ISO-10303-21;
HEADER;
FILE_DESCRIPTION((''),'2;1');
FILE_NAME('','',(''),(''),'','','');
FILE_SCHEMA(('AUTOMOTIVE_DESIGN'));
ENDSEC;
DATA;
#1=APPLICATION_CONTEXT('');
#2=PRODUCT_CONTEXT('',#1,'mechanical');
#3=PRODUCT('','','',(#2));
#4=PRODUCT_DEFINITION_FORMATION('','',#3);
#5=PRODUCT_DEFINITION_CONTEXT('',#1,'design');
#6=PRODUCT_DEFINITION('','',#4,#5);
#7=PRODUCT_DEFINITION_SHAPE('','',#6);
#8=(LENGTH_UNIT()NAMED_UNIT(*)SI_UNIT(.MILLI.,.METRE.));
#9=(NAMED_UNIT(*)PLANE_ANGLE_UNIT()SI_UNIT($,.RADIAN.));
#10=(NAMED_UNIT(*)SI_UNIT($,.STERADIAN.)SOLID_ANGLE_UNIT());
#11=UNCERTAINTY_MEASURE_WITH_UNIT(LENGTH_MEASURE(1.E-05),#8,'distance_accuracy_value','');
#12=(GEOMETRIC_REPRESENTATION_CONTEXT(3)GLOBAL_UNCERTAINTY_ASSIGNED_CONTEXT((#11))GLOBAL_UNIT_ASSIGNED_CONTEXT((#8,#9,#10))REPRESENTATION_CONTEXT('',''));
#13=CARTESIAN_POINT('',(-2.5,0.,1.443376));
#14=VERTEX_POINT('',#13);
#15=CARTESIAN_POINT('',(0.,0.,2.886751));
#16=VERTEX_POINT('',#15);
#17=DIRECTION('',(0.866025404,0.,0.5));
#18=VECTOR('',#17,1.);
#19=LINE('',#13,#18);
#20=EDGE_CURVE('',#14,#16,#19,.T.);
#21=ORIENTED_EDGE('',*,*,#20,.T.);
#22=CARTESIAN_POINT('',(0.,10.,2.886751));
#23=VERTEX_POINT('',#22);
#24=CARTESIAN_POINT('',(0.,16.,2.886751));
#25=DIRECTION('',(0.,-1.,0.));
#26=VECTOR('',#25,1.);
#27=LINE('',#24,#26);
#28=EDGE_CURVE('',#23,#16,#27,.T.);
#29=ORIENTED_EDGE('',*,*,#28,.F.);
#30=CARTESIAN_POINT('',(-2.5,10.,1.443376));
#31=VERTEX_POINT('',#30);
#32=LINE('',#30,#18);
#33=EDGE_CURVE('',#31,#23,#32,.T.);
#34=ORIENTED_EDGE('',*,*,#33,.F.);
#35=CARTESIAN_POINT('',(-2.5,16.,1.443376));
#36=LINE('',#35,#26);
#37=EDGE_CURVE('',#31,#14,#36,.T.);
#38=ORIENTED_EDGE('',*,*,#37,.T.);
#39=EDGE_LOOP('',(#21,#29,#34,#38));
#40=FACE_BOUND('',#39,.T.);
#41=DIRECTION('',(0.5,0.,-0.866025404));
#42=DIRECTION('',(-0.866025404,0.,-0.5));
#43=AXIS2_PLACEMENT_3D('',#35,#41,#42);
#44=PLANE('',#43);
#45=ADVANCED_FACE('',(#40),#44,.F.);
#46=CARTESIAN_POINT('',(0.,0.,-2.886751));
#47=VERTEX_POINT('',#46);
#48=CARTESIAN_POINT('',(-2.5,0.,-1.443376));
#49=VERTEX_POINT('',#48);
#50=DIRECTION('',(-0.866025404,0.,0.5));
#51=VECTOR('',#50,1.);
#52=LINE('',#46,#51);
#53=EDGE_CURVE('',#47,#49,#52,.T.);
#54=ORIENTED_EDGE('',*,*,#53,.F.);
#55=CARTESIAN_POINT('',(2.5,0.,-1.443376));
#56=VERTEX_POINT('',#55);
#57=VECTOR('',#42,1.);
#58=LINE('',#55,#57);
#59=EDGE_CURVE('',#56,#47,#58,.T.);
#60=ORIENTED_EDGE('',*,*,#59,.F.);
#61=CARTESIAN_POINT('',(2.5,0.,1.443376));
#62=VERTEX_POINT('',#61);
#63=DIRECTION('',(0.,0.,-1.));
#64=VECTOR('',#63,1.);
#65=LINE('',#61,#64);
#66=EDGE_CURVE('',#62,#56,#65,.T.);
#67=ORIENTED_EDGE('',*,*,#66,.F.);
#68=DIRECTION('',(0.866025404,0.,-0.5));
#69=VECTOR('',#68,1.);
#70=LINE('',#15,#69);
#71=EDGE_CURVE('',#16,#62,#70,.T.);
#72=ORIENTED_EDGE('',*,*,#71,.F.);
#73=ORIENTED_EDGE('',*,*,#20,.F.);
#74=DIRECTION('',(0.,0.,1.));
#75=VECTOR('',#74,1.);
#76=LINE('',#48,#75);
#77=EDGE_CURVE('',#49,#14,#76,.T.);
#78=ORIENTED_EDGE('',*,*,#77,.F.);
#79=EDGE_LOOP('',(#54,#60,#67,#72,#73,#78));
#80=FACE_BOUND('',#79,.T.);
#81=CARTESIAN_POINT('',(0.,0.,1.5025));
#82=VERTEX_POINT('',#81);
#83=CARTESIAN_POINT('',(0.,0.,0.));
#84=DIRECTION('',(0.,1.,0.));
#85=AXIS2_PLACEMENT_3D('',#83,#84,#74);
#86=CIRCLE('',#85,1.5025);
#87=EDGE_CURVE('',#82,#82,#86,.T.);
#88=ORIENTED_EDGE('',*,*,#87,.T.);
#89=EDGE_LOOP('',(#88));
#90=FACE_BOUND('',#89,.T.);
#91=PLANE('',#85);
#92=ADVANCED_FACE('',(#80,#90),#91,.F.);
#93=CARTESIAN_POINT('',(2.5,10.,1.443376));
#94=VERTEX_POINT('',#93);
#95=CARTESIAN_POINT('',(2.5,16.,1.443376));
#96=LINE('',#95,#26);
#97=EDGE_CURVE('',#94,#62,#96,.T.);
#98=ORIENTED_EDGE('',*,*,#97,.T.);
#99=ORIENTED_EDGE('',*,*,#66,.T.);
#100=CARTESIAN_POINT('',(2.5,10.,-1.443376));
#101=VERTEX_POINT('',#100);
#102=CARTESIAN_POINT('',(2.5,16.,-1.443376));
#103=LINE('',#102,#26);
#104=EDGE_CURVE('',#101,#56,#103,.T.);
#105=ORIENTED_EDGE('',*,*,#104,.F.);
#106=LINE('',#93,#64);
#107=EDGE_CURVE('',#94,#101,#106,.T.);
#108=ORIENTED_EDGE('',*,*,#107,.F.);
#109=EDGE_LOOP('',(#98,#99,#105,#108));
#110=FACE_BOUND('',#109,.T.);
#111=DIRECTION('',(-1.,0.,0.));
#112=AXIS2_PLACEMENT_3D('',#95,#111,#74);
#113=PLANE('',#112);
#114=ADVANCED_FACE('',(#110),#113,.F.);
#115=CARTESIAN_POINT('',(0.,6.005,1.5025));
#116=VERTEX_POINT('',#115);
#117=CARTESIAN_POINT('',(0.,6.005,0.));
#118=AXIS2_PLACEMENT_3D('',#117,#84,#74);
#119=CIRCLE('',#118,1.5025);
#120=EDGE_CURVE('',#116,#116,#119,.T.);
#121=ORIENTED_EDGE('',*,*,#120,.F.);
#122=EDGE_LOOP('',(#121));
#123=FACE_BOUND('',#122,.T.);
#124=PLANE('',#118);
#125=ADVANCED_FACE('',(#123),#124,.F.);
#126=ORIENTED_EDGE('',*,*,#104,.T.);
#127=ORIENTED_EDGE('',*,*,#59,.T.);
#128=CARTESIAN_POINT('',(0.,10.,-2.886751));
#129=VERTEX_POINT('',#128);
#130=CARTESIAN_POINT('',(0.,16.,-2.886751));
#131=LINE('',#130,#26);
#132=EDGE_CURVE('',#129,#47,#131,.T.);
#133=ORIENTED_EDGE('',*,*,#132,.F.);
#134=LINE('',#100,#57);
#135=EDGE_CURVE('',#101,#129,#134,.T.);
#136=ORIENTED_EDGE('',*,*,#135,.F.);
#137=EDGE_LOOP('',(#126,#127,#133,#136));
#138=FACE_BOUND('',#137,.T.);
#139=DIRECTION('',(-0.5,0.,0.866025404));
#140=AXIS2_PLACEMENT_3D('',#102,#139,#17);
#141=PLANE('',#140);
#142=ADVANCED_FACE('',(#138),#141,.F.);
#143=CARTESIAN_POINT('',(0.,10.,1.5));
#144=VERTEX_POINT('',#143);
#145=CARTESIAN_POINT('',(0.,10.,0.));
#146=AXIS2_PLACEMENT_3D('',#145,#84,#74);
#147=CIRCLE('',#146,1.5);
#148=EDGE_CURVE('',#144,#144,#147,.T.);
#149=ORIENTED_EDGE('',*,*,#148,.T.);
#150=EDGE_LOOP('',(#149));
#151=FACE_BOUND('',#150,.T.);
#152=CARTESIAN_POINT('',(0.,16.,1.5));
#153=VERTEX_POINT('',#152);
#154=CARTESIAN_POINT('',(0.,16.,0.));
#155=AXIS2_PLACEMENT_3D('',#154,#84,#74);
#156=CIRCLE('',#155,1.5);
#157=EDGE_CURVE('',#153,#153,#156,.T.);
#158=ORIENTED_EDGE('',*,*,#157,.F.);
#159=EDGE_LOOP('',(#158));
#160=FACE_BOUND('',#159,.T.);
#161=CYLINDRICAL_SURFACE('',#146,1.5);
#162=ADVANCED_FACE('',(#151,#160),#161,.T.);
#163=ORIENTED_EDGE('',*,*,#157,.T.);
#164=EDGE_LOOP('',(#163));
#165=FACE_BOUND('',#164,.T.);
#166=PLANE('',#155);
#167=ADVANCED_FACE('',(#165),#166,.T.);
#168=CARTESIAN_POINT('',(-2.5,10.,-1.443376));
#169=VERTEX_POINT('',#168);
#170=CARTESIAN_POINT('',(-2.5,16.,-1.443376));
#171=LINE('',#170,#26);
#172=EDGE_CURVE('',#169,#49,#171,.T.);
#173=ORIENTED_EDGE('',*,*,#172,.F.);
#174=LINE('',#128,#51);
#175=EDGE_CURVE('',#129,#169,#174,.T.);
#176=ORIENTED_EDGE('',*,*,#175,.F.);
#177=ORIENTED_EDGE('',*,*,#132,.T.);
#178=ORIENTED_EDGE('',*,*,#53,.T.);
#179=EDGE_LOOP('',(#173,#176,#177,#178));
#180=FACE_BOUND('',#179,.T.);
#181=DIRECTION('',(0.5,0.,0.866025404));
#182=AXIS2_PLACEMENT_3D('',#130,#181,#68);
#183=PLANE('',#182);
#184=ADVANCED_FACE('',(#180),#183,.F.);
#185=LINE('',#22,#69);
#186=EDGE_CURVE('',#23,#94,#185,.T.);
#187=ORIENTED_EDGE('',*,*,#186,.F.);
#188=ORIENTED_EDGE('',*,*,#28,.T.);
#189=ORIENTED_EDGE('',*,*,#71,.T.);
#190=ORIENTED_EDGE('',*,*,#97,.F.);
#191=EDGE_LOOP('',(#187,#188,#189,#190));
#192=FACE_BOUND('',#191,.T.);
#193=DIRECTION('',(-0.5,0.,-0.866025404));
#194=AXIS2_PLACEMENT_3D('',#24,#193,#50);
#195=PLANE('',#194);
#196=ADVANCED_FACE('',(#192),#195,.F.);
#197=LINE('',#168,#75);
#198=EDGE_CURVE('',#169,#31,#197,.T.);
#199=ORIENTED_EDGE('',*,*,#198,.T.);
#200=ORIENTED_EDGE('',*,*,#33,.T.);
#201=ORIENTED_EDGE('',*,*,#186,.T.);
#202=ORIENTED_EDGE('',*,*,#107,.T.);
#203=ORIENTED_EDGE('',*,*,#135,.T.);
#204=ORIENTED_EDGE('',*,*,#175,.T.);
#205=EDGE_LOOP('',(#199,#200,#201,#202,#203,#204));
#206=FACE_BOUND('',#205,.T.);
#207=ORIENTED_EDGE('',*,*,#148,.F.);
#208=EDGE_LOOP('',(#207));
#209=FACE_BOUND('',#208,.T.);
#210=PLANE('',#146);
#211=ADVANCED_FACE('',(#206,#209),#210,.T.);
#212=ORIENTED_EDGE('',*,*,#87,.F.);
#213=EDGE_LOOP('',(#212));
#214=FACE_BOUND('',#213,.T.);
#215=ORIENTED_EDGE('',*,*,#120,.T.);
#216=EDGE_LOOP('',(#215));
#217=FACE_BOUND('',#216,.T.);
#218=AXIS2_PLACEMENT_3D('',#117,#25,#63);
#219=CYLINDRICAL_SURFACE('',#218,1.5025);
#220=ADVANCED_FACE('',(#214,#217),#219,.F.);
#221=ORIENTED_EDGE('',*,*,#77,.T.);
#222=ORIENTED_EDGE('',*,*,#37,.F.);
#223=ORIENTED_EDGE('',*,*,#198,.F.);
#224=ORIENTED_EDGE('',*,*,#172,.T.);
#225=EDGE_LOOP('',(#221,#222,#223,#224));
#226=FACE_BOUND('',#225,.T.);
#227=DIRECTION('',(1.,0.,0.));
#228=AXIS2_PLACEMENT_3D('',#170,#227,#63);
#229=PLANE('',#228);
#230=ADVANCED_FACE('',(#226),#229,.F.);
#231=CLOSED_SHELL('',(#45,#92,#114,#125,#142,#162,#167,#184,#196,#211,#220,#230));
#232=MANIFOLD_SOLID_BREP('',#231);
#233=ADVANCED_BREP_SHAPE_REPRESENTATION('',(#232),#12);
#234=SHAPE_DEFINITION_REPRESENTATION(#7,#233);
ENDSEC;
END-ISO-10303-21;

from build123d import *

# Parameters (mm, degrees)
BOSS_EXTRUDE1_DEPTH = 16
SKETCH2_R           = 1.5025
CUT_EXTRUDE1_DEPTH  = 6.005
SKETCH3_R           = 1.5
CUT_EXTRUDE2_DEPTH  = 6


with BuildPart() as part:
    # Sketch1 → Boss-Extrude1 (new body)
    with BuildSketch(Plane(origin=(0, 0, 0), x_dir=(1, 0, 0), z_dir=(0, 1, 0))):
        Polygon((2.5, 1.443375673), (0, 2.886751346), (-2.5, 1.443375673), (-2.5, -1.443375673), (0, -2.886751346), (2.5, -1.443375673), align=None)
    extrude(amount=BOSS_EXTRUDE1_DEPTH)

    # Sketch2 → Cut-Extrude1 (cut)
    with BuildSketch(Plane(origin=(0, 0, 0), x_dir=(1, 0, 0), z_dir=(0, 1, 0))):
        Circle(SKETCH2_R)
    extrude(amount=CUT_EXTRUDE1_DEPTH, mode=Mode.SUBTRACT)

    # Sketch3 → Cut-Extrude2 (cut)
    with BuildSketch(Plane(origin=(0, 16, 0), x_dir=(1, 0, 0), z_dir=(0, 1, 0))):
        Polygon((0, 2.886751346), (-2.5, 1.443375673), (-2.5, -1.443375673), (0, -2.886751346), (2.5, -1.443375673), (2.5, 1.443375673), align=None)
        Circle(SKETCH3_R, mode=Mode.SUBTRACT)
    extrude(amount=-CUT_EXTRUDE2_DEPTH, mode=Mode.SUBTRACT)


solid = part.part
